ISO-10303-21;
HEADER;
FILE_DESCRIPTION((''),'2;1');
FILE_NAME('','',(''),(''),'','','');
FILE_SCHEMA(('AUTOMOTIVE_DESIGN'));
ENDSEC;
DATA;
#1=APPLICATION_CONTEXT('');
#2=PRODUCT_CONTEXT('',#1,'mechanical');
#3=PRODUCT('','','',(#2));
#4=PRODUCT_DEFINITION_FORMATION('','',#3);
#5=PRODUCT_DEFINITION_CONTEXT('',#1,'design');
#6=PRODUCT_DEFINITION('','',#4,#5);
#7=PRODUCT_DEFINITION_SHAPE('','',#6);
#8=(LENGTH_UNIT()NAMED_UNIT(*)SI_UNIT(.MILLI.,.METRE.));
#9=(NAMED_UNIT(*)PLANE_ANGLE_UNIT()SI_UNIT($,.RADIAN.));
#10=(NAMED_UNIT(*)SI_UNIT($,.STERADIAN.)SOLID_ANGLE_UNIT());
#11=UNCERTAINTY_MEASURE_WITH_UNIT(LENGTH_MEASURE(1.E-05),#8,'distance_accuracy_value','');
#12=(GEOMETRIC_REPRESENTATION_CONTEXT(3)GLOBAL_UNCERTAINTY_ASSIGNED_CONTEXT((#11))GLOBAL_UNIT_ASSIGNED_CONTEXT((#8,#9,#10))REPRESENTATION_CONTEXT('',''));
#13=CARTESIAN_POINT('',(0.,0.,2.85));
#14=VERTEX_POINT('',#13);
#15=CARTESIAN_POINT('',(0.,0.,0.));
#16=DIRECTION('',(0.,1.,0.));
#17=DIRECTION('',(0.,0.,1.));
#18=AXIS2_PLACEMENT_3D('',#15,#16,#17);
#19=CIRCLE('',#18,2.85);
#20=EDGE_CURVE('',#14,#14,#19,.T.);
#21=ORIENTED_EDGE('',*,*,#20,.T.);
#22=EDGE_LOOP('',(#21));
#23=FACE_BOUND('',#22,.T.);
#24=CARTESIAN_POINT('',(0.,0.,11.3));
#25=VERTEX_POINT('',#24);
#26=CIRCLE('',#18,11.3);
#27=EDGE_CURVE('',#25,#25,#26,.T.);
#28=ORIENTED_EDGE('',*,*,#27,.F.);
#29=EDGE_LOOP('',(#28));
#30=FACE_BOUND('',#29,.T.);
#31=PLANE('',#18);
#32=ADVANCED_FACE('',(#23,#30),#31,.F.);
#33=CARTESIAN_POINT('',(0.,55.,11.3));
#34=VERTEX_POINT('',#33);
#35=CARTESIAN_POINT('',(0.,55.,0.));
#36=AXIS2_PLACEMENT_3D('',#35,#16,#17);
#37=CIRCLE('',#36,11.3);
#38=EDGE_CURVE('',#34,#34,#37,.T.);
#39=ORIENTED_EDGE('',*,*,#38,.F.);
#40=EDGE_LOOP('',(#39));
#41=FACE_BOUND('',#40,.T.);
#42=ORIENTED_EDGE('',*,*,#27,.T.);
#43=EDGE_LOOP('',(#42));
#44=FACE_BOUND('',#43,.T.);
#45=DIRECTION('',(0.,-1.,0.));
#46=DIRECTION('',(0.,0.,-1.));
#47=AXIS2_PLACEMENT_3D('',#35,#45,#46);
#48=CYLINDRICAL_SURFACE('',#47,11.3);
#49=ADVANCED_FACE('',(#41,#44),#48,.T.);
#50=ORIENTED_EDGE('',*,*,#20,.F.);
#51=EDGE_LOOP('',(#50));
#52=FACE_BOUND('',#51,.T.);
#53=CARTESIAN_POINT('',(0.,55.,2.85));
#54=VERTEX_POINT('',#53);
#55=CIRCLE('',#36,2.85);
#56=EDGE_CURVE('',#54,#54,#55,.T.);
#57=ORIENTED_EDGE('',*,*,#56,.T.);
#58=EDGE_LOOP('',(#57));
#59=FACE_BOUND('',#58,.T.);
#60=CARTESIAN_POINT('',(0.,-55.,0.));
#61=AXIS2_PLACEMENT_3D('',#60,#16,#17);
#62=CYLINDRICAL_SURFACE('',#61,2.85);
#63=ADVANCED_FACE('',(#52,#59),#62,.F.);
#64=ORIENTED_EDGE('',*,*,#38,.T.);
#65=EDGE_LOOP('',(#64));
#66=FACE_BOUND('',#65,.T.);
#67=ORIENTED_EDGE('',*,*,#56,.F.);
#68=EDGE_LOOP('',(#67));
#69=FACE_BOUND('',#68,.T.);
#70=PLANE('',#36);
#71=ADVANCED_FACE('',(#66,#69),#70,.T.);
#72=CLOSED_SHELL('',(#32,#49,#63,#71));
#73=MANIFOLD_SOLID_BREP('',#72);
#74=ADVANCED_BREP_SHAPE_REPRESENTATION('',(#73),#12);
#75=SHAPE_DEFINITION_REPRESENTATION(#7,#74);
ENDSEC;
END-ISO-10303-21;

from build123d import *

# Parameters (mm, degrees)
SKETCH1_R           = 11.3
BOSS_EXTRUDE1_DEPTH = 55
SKETCH2_R           = 2.85
CUT_EXTRUDE1_DEPTH  = 110


with BuildPart() as part:
    # Sketch1 → Boss-Extrude1 (new body)
    with BuildSketch(Plane(origin=(0, 0, 0), x_dir=(1, 0, 0), z_dir=(0, 1, 0))):
        with Locations(Location((0, 0, 0), (0, 0, 270))):
            Circle(SKETCH1_R)
    extrude(amount=BOSS_EXTRUDE1_DEPTH)

    # Sketch2 → Cut-Extrude1 (cut)
    with BuildSketch(Plane(origin=(0, 55, 0), x_dir=(1, 0, 0), z_dir=(0, 1, 0))):
        with Locations(Location((0, 0, 0), (0, 0, 270))):
            Circle(SKETCH2_R)
    extrude(amount=-CUT_EXTRUDE1_DEPTH, mode=Mode.SUBTRACT)


solid = part.part
